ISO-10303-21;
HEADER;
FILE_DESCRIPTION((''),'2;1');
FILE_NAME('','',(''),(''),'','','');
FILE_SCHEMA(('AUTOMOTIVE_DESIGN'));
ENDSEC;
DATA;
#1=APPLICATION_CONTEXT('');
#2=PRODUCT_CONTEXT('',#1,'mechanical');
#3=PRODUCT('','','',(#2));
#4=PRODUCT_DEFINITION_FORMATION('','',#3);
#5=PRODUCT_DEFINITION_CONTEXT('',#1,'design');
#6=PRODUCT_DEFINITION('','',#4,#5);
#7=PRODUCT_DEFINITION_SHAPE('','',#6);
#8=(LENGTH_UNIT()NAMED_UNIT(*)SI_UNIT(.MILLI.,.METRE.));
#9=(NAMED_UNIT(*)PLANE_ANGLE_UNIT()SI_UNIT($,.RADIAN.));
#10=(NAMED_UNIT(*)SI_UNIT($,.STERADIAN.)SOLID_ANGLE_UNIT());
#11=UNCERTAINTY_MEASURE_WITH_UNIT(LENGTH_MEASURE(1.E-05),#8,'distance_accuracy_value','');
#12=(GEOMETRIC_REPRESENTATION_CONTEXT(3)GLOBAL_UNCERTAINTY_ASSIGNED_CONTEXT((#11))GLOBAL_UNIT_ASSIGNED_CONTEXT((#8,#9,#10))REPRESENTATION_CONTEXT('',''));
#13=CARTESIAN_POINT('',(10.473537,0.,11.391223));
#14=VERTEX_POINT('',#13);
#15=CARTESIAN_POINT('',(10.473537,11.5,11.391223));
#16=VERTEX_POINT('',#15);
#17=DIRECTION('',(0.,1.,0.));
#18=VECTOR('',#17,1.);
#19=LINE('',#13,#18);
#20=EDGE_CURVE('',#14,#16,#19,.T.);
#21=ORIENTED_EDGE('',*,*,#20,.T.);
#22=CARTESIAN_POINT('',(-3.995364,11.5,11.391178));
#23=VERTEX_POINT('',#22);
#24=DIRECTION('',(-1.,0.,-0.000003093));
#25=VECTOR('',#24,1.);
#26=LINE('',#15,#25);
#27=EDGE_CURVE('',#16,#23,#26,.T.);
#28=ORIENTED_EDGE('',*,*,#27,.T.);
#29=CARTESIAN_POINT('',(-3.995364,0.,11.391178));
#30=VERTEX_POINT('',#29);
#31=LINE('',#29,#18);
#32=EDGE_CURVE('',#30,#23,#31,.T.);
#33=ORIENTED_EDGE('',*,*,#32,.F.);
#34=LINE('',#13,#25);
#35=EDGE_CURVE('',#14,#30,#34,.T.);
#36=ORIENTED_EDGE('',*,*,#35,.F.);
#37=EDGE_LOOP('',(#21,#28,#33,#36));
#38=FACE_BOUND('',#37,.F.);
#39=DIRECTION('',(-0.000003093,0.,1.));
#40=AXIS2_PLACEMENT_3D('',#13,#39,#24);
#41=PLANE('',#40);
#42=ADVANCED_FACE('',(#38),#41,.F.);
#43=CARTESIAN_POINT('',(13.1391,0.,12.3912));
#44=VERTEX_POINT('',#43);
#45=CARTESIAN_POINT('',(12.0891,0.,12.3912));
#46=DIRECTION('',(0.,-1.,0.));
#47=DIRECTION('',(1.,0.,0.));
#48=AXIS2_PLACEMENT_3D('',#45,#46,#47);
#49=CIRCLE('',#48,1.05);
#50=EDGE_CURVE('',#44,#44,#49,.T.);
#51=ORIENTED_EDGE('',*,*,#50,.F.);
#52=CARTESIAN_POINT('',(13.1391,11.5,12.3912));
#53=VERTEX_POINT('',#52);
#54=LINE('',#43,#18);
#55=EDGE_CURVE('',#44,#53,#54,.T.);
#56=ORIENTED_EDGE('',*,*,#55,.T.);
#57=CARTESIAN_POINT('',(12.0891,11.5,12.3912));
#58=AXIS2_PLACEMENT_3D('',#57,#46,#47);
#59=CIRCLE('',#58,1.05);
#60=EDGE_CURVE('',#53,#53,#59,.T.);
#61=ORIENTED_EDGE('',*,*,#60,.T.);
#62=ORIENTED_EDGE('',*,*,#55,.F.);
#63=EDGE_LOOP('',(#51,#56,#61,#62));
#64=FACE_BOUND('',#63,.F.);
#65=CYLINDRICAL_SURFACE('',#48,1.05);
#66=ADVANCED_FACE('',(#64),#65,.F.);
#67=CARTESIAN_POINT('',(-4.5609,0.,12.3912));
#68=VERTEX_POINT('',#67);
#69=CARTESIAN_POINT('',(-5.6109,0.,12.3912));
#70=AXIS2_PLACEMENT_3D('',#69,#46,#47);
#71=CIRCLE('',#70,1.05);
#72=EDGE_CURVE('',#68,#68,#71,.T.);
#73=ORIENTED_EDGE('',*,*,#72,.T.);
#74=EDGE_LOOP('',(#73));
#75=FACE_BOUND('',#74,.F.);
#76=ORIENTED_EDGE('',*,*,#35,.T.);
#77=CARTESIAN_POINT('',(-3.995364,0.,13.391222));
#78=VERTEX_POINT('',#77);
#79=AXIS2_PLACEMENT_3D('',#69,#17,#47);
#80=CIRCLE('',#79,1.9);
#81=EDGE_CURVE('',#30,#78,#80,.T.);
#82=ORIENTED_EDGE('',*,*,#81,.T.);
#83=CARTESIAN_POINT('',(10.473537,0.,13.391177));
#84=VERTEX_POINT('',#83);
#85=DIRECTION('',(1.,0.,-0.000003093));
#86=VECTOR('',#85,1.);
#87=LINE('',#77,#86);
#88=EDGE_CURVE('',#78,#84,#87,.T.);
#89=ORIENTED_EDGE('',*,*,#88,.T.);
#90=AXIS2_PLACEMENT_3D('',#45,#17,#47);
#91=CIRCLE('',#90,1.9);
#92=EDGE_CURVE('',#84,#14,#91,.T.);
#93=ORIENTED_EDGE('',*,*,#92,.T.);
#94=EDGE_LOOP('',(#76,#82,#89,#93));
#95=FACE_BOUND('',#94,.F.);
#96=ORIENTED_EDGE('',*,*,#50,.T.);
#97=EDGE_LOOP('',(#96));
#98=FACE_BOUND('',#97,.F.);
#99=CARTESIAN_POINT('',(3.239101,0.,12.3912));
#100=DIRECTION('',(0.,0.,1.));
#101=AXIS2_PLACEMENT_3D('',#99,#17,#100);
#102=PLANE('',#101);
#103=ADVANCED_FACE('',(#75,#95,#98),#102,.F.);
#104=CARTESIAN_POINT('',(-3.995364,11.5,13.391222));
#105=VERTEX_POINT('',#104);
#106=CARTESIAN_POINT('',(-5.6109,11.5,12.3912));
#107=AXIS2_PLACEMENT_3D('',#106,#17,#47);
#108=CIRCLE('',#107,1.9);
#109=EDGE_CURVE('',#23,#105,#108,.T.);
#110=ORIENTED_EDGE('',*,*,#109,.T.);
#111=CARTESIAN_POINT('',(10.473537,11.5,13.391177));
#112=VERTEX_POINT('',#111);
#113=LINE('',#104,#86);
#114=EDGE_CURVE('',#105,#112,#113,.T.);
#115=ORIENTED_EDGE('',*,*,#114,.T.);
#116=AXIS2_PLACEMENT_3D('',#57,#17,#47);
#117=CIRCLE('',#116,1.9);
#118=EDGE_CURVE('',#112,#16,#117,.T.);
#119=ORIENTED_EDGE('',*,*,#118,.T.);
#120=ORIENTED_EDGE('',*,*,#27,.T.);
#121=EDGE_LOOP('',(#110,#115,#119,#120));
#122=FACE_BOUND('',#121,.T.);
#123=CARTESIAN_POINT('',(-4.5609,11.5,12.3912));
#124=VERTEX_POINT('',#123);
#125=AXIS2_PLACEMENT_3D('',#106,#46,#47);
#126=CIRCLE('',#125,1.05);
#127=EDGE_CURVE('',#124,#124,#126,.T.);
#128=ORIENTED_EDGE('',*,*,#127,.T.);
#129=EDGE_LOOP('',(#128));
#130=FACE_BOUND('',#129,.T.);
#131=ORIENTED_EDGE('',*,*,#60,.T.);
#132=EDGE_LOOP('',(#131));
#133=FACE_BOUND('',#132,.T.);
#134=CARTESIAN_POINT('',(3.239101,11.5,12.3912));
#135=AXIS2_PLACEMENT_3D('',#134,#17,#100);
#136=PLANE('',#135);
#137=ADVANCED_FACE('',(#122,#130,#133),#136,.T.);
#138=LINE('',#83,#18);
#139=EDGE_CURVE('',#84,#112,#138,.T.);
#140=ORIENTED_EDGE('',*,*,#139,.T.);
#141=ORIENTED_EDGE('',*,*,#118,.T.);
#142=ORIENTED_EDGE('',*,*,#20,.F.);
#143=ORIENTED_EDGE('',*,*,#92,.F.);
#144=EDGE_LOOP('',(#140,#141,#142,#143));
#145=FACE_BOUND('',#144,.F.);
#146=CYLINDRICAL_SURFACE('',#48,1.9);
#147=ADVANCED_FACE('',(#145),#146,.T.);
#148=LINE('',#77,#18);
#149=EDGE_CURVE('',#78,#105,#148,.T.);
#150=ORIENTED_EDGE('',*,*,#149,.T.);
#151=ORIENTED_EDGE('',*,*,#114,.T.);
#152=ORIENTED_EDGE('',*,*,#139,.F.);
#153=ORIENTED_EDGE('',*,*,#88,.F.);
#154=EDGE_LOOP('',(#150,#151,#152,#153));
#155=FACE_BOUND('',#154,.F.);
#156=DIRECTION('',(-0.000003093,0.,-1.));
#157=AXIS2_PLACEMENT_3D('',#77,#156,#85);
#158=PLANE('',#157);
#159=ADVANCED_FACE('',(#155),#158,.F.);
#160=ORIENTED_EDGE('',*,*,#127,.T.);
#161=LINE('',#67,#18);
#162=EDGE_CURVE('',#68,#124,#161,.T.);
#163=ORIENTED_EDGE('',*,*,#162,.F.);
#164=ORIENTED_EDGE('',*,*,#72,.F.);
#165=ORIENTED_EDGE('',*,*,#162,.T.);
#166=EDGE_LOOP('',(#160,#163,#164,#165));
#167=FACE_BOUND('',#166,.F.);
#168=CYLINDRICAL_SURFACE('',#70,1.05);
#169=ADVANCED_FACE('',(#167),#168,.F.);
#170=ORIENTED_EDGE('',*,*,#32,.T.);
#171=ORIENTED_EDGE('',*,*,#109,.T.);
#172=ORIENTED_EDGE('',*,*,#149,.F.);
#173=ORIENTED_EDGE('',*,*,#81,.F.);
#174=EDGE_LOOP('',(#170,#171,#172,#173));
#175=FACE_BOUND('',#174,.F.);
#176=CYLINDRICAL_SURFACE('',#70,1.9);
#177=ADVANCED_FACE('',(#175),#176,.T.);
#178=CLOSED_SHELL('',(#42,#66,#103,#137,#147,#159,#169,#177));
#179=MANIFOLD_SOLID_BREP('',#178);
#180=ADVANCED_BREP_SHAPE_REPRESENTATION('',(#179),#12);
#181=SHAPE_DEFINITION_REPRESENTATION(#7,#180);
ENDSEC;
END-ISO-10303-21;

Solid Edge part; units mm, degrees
sketch "Sketch1" plane through (0, 0, 0) normal (0, -1, 0) x (1, 0, 0)
  circle A0 centre (-5.6109, 12.3912) radius 1.05
  circle A1 centre (12.0891, 12.3912) radius 1.05
  line L0 (-3.9954, 13.3912) -> (10.4735, 13.3912)
  line L1 (10.4735, 11.3912) -> (-3.9954, 11.3912)
  arc A2 (-3.9954, 11.3912) -> (-3.9954, 13.3912) centre (-5.6109, 12.3912) cw
  arc A3 (10.4735, 13.3912) -> (10.4735, 11.3912) centre (12.0891, 12.3912) cw
extrude "Protrusion1" add sketch "Sketch1" against normal blind 11.5
